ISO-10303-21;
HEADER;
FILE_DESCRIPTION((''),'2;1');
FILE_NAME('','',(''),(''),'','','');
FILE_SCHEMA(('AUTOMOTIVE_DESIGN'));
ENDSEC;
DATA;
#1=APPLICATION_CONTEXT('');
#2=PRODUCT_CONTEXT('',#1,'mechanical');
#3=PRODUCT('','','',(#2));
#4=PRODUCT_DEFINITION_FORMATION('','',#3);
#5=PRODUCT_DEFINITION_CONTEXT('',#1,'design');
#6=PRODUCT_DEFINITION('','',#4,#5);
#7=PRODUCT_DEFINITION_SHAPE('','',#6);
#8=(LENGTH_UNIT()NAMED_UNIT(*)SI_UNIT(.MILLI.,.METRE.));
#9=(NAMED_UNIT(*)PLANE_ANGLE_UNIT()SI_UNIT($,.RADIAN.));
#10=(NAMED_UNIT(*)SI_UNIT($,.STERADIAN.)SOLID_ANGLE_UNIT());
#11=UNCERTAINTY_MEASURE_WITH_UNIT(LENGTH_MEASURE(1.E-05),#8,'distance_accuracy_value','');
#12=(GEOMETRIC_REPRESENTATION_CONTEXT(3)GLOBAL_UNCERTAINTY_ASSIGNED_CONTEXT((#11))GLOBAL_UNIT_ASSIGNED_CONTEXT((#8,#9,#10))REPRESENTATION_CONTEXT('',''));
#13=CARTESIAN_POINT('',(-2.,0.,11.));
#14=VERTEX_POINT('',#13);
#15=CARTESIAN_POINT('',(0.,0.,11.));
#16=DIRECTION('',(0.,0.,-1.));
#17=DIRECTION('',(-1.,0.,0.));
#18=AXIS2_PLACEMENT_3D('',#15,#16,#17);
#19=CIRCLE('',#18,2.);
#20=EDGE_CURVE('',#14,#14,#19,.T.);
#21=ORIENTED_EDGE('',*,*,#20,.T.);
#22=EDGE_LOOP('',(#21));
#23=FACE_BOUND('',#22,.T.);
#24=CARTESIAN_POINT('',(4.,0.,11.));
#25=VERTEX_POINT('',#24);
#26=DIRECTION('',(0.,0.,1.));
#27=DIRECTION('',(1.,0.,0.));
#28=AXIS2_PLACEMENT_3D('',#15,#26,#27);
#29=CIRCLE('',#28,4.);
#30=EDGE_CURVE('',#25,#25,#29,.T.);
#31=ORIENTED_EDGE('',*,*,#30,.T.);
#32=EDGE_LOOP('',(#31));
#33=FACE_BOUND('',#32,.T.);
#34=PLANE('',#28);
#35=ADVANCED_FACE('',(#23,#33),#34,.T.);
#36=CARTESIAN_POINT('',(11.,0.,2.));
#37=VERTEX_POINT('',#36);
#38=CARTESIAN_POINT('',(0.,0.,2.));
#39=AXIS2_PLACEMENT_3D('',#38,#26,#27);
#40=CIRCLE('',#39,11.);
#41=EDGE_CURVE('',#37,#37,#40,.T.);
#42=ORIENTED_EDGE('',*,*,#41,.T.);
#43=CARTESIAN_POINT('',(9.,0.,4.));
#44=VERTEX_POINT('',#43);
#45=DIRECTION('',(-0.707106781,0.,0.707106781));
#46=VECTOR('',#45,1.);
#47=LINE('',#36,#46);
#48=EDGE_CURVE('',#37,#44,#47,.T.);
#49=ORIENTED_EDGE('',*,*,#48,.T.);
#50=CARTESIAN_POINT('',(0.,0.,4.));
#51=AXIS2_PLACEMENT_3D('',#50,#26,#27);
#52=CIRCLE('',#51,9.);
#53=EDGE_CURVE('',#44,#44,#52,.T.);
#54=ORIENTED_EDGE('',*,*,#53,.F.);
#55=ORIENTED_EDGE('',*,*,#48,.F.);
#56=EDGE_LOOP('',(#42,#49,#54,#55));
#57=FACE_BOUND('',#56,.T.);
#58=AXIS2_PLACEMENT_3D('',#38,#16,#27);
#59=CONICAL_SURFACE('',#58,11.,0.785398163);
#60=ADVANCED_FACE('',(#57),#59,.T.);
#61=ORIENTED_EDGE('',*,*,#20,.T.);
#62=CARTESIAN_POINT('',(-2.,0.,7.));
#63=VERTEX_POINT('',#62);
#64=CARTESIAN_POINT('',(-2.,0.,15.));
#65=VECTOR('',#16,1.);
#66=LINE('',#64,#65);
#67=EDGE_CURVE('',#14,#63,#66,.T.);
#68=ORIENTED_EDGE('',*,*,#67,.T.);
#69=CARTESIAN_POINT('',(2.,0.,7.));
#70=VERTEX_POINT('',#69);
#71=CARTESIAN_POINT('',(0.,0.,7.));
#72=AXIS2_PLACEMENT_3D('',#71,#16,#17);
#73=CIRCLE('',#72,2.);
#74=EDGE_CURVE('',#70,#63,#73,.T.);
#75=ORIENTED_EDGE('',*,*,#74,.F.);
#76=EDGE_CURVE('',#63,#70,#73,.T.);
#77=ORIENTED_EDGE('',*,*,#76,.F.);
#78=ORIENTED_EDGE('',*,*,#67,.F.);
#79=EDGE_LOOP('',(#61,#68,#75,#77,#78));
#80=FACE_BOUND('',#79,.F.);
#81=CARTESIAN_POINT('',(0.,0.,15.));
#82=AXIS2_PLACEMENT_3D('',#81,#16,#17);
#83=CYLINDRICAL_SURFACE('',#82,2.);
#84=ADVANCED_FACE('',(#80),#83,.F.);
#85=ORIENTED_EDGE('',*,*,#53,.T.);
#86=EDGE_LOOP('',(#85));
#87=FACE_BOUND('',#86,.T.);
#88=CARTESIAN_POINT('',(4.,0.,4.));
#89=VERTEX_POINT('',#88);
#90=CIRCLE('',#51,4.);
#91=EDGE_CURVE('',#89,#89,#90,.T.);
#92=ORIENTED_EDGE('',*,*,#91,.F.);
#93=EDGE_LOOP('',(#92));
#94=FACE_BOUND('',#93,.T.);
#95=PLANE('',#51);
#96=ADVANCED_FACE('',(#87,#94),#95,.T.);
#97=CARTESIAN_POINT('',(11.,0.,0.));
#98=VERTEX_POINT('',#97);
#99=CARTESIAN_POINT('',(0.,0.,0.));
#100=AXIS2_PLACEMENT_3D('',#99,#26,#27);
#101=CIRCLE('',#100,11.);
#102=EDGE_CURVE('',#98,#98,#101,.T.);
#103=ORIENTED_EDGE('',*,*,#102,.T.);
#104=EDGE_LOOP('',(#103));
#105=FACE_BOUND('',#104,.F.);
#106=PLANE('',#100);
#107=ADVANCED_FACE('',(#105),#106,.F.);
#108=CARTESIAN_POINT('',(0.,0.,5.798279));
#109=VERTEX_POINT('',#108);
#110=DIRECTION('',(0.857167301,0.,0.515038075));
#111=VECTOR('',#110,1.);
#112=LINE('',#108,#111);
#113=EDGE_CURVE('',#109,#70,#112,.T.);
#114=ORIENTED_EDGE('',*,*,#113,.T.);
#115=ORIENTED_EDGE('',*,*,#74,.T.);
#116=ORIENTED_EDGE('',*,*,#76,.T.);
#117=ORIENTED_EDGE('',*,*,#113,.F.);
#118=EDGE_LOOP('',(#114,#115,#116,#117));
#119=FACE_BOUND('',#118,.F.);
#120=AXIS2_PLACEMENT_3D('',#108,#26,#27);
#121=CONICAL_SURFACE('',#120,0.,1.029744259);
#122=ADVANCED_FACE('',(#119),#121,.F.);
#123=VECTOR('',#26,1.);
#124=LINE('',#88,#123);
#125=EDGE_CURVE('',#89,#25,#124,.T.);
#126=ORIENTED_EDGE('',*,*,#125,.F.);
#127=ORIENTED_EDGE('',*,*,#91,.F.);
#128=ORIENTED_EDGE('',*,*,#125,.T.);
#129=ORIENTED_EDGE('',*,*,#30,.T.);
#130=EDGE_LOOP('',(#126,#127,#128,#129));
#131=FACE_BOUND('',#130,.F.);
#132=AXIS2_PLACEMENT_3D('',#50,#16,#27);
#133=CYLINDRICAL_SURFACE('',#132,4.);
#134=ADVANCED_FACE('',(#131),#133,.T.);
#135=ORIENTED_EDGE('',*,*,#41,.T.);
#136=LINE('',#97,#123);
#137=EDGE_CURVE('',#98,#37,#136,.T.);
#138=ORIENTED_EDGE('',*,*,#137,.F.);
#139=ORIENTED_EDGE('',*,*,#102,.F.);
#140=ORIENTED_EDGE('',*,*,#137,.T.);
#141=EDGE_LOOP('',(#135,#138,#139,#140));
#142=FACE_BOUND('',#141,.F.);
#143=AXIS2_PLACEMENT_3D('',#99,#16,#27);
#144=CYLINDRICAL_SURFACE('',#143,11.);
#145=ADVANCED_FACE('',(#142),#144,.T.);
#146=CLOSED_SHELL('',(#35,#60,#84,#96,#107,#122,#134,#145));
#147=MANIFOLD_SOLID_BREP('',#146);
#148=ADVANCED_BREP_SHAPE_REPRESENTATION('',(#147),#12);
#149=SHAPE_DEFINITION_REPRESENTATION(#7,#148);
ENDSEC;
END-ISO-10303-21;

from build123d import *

# Parameters (mm, degrees)
F0_R     = 11
F1_DEPTH = 4
F2_SIZE  = 2
F3_R     = 4
F4_DEPTH = 7
F6_D     = 4
F6_DEPTH = 4
F6_TIP   = 1.2017212381


with BuildPart() as f1:
    # F0 (on Top) → F1 (new body)
    with BuildSketch(Plane.XY):
        Circle(F0_R)
    extrude(amount=F1_DEPTH)

    # F2
    f2_edges = [f1.edges().sort_by_distance(p)[0] for p in [
        (-11, 0, 4),
    ]]
    chamfer(f2_edges, length=F2_SIZE)

    # F3 (on face) → F4 (join)
    with BuildSketch(Plane.XY.offset(4)):
        Circle(F3_R)
    extrude(amount=F4_DEPTH)

    # F6
    with Locations(Plane.XY.offset(11)):
        with Locations((0, 0)):
            Hole(F6_D / 2, depth=F6_DEPTH)
            with Locations((0, 0, -(F6_DEPTH + F6_TIP / 2))):  # 118° drill point
                Cone(0, F6_D / 2, F6_TIP, mode=Mode.SUBTRACT)


solid = f1.part
